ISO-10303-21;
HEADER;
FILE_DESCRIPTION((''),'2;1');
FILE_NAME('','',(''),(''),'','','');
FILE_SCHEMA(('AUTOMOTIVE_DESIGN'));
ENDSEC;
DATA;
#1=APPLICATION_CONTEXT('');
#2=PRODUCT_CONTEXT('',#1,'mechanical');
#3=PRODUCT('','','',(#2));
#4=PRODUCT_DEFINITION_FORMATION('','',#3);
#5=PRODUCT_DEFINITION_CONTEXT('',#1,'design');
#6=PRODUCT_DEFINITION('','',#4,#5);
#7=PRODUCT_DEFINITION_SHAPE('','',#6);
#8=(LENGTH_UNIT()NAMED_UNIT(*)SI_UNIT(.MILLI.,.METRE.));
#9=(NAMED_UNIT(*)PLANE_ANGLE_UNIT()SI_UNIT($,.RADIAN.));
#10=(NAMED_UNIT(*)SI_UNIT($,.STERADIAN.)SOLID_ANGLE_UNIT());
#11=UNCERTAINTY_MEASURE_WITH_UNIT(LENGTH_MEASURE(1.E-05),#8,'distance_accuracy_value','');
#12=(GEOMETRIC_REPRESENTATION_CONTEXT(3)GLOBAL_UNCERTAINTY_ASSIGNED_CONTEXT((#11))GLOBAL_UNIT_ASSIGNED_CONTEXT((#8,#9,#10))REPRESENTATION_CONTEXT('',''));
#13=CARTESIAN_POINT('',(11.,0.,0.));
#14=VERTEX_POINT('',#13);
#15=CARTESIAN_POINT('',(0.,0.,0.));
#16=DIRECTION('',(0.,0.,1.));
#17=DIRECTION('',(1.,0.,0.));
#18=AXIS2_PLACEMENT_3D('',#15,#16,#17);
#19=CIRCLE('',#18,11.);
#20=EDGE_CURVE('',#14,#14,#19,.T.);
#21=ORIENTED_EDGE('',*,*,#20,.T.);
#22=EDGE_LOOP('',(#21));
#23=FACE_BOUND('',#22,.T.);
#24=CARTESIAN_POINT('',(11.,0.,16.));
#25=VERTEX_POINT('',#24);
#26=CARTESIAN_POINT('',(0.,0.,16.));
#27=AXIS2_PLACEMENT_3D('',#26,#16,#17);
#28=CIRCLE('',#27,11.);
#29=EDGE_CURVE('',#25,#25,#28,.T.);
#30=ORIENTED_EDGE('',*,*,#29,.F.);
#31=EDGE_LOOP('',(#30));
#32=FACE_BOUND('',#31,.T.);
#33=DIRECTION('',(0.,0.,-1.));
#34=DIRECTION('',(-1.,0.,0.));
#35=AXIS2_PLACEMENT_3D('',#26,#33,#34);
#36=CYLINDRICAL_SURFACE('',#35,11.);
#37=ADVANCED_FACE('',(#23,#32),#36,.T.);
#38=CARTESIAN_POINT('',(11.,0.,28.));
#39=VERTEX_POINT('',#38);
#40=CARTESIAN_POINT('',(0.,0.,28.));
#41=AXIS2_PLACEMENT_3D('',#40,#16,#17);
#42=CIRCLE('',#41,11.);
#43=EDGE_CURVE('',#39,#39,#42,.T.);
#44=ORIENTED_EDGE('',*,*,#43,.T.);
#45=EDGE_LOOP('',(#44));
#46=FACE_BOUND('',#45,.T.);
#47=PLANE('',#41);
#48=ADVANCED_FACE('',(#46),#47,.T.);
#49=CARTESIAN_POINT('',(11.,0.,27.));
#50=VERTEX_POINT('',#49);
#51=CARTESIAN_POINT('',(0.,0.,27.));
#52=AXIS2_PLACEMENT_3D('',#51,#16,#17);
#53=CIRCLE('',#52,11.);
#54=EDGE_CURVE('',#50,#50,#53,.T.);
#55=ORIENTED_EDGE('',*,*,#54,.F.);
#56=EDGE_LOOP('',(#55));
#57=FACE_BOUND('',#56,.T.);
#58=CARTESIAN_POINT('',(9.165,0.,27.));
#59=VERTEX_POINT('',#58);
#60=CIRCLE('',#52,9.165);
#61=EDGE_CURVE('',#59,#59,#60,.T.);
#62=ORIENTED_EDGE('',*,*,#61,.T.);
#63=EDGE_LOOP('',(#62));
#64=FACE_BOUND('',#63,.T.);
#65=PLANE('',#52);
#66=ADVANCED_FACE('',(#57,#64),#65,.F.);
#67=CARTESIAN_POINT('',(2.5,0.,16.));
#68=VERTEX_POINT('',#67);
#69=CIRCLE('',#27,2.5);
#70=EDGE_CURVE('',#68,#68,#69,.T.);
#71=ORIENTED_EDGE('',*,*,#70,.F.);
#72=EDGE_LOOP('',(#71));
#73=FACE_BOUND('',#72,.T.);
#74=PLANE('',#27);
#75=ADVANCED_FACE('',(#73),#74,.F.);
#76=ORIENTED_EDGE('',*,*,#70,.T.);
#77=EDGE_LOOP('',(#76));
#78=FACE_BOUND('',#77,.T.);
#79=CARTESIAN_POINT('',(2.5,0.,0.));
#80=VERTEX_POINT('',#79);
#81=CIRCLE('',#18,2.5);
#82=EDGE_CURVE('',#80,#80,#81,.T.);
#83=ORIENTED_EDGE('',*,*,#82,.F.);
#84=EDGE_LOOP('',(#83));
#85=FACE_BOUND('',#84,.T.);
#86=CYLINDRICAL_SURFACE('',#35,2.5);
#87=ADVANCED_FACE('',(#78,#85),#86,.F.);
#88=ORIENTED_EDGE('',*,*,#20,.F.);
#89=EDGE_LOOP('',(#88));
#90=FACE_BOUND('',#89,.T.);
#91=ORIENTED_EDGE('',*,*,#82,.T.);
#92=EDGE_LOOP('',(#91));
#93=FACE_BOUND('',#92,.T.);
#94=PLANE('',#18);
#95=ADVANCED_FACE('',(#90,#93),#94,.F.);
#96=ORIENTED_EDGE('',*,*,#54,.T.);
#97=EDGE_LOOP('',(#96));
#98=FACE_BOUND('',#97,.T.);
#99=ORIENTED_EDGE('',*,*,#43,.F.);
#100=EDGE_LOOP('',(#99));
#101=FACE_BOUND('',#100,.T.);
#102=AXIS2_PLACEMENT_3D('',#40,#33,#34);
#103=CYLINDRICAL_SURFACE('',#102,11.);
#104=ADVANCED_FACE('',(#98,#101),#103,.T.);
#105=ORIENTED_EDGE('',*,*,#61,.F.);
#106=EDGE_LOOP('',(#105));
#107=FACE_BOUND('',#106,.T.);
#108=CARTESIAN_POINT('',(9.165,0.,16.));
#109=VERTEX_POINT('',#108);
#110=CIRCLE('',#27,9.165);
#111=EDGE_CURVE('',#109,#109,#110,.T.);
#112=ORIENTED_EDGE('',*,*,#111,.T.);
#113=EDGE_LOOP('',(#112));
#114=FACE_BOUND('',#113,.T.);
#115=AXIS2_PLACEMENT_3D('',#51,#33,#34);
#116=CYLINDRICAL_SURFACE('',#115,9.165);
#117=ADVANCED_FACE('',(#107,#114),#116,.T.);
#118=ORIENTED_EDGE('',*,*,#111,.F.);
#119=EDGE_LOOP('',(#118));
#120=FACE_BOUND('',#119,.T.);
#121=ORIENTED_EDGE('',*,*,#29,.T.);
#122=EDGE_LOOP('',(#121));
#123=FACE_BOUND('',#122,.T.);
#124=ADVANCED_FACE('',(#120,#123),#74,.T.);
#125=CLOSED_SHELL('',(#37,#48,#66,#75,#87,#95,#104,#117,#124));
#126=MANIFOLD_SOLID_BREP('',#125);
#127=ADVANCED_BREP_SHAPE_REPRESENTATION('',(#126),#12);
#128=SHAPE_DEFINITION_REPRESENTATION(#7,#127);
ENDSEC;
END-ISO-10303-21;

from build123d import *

# Parameters (mm, degrees)
SKETCH_1_R      = 11
SKETCH_1_R_2    = 2.5
EXTRUDE_1_DEPTH = 16
SKETCH_2_R      = 9.165
EXTRUDE_2_DEPTH = 11
SKETCH_3_R      = 11
EXTRUDE_3_DEPTH = 1


with BuildPart() as part:
    # 草图1 → 凸台-拉伸1 (new body)
    with BuildSketch(Plane.XY):
        Circle(SKETCH_1_R)
        Circle(SKETCH_1_R_2, mode=Mode.SUBTRACT)
    extrude(amount=EXTRUDE_1_DEPTH)

    # 草图2 → 凸台-拉伸2 (add)
    with BuildSketch(Plane.XY.offset(16)):
        Circle(SKETCH_2_R)
    extrude(amount=EXTRUDE_2_DEPTH)

    # 草图3 → 凸台-拉伸3 (add)
    with BuildSketch(Plane.XY.offset(27)):
        Circle(SKETCH_3_R)
    extrude(amount=EXTRUDE_3_DEPTH)


solid = part.part
